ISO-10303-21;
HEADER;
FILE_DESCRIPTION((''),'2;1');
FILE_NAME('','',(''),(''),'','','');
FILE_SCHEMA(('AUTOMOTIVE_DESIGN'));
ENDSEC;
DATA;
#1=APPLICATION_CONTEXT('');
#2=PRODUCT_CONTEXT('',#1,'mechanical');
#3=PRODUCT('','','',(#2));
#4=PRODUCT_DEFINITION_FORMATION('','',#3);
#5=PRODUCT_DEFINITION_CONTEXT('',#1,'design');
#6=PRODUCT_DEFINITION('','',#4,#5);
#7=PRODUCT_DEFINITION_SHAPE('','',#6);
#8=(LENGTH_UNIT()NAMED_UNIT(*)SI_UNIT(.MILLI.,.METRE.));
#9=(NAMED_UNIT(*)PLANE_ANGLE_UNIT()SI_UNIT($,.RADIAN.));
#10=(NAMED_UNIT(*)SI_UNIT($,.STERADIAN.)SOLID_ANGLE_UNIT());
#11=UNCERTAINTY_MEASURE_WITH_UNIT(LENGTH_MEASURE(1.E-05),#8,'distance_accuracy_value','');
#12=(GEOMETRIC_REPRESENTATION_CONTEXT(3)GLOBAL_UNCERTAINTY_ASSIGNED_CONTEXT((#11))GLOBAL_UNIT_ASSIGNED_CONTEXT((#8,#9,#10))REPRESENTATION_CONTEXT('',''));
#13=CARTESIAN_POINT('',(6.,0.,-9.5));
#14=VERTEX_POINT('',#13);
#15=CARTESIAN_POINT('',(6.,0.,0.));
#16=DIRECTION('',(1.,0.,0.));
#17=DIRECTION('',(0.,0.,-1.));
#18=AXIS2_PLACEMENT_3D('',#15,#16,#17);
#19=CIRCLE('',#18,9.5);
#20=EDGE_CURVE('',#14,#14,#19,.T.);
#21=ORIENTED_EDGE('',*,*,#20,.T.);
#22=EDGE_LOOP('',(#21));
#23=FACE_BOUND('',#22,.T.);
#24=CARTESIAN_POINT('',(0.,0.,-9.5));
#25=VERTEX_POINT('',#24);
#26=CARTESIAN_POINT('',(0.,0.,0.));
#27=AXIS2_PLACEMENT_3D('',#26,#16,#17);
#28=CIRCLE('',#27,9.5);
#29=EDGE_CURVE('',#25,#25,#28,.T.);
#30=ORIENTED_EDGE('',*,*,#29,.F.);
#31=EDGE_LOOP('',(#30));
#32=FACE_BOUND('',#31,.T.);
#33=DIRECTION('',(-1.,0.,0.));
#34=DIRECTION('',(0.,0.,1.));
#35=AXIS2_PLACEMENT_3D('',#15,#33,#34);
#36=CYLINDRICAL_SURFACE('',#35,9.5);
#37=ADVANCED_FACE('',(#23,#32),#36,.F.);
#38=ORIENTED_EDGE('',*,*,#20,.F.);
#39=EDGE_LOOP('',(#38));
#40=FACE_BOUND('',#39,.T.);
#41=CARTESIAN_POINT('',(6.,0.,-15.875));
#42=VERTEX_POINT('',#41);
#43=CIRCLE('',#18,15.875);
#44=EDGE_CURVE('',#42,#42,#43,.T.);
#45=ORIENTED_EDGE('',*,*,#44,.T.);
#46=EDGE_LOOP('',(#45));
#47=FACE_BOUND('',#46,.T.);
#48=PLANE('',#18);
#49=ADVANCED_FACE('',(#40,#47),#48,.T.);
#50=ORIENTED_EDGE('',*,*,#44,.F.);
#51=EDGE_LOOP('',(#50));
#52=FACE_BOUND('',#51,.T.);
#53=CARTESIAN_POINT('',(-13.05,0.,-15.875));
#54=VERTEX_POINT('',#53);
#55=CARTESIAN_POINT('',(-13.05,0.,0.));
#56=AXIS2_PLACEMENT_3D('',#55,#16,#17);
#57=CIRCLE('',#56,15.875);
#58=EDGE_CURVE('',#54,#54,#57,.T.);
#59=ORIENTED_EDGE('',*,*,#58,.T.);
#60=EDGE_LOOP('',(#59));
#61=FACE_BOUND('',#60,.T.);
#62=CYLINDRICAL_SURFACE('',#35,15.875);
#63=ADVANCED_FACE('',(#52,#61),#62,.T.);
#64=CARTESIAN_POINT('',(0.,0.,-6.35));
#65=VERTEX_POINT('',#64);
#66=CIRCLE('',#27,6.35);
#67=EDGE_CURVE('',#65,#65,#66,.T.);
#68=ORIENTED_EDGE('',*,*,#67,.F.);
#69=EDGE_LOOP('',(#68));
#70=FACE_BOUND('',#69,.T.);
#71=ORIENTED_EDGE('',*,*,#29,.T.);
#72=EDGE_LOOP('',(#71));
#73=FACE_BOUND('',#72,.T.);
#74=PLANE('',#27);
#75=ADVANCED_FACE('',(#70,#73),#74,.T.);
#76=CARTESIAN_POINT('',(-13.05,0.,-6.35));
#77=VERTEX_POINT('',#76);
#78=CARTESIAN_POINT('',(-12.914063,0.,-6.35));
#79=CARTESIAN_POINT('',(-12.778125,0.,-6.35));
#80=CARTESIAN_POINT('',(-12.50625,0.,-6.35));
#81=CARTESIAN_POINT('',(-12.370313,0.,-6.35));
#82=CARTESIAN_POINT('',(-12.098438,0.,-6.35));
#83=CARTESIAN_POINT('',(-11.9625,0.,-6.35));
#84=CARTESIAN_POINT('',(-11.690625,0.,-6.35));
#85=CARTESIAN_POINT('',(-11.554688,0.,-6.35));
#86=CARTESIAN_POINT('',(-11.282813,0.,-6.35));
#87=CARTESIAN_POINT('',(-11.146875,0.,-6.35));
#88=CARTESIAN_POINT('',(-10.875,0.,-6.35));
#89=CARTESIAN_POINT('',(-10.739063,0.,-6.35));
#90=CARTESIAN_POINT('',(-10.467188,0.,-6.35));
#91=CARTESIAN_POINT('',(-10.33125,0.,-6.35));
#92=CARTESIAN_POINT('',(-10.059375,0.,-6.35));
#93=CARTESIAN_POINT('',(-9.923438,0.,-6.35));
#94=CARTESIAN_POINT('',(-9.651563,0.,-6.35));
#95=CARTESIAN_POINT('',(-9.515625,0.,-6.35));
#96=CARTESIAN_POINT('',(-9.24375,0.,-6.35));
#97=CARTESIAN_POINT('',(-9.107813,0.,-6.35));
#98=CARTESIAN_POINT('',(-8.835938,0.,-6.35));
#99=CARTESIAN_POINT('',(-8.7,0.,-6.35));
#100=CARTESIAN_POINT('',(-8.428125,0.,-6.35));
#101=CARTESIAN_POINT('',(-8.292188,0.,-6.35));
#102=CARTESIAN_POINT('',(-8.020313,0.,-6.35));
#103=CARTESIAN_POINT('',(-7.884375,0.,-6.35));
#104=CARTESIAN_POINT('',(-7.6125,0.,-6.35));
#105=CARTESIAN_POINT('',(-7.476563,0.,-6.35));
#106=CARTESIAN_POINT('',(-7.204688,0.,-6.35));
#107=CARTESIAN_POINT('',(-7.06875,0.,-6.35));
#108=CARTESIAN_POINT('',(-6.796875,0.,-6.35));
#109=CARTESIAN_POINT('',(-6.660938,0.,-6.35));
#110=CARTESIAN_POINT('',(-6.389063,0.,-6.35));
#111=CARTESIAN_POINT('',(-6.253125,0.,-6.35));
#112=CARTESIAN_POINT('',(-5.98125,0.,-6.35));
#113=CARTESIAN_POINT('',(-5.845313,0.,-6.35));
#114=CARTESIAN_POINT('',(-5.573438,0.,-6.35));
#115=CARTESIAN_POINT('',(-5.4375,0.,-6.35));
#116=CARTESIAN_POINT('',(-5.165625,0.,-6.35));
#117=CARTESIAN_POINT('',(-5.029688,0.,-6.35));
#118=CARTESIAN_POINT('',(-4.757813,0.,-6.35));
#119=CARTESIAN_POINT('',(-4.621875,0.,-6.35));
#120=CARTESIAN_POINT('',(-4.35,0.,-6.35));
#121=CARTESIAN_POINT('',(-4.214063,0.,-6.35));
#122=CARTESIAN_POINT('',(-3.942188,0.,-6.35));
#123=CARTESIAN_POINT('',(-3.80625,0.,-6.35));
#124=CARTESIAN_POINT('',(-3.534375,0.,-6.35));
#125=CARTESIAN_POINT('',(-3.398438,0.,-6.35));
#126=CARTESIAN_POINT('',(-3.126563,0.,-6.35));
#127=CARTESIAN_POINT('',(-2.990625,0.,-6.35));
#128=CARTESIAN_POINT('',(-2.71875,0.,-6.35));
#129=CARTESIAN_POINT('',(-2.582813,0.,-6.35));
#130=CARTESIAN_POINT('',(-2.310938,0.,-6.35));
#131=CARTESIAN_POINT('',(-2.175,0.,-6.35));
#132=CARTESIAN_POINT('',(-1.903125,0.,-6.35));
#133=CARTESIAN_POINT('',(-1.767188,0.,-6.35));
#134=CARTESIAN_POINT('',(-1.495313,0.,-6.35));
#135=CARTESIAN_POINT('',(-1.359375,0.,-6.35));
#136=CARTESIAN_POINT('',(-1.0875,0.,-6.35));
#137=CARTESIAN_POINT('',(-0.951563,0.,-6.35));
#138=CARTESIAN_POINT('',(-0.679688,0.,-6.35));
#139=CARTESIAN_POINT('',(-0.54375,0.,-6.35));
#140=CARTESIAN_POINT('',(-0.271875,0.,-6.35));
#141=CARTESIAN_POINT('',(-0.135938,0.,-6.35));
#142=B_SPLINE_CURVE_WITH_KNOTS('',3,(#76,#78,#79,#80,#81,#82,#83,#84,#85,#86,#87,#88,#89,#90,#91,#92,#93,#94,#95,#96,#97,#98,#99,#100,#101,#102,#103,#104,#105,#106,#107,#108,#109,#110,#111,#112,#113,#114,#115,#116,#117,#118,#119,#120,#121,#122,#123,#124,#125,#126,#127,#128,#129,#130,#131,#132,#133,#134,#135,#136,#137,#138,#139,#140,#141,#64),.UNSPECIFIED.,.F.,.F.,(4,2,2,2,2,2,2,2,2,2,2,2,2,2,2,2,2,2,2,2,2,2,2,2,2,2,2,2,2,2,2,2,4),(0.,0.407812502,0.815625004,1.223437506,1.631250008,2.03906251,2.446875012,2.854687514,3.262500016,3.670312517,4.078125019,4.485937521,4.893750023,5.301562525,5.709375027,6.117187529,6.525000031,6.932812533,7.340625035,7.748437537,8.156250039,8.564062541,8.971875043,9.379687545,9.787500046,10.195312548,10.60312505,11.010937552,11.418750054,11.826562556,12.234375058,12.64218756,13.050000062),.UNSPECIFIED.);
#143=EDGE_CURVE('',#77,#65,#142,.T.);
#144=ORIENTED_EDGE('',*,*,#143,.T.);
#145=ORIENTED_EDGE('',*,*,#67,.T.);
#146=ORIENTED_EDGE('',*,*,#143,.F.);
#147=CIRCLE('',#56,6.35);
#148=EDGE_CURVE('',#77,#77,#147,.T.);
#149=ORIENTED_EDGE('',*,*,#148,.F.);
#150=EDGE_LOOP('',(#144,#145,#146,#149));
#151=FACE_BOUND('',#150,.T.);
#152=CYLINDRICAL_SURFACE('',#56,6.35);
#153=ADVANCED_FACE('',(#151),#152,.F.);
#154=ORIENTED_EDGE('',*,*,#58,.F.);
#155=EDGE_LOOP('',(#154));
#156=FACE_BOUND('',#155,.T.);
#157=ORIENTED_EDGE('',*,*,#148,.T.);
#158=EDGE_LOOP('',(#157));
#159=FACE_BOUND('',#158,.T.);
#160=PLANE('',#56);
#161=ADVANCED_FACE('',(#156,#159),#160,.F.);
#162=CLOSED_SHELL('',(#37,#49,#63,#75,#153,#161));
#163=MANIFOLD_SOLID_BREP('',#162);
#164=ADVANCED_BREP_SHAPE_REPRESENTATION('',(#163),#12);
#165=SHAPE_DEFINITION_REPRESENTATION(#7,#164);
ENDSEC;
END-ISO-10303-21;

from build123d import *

# Parameters (mm, degrees)
SKETCH1_R           = 15.875
SKETCH1_R_2         = 9.5
BOSS_EXTRUDE1_DEPTH = 6
BOSS_EXTRUDE2_START = -13.050000062
SKETCH1_3_R         = 15.875
SKETCH1_3_R_2       = 6.35
BOSS_EXTRUDE2_DEPTH = 13.050000062


with BuildPart() as part:
    # Sketch1 → Boss-Extrude1 (new body)
    with BuildSketch(Plane(origin=(0, 0, 0), x_dir=(0, 0, -1), z_dir=(1, 0, 0))):
        Circle(SKETCH1_R)
        Circle(SKETCH1_R_2, mode=Mode.SUBTRACT)
    extrude(amount=BOSS_EXTRUDE1_DEPTH)

    # Sketch1<3> → Boss-Extrude2 (add)
    with BuildSketch(Plane(origin=(0, 0, 0), x_dir=(0, 0, -1), z_dir=(1, 0, 0)).offset(BOSS_EXTRUDE2_START)):
        Circle(SKETCH1_3_R)
        Circle(SKETCH1_3_R_2, mode=Mode.SUBTRACT)
    extrude(amount=BOSS_EXTRUDE2_DEPTH)


solid = part.part
